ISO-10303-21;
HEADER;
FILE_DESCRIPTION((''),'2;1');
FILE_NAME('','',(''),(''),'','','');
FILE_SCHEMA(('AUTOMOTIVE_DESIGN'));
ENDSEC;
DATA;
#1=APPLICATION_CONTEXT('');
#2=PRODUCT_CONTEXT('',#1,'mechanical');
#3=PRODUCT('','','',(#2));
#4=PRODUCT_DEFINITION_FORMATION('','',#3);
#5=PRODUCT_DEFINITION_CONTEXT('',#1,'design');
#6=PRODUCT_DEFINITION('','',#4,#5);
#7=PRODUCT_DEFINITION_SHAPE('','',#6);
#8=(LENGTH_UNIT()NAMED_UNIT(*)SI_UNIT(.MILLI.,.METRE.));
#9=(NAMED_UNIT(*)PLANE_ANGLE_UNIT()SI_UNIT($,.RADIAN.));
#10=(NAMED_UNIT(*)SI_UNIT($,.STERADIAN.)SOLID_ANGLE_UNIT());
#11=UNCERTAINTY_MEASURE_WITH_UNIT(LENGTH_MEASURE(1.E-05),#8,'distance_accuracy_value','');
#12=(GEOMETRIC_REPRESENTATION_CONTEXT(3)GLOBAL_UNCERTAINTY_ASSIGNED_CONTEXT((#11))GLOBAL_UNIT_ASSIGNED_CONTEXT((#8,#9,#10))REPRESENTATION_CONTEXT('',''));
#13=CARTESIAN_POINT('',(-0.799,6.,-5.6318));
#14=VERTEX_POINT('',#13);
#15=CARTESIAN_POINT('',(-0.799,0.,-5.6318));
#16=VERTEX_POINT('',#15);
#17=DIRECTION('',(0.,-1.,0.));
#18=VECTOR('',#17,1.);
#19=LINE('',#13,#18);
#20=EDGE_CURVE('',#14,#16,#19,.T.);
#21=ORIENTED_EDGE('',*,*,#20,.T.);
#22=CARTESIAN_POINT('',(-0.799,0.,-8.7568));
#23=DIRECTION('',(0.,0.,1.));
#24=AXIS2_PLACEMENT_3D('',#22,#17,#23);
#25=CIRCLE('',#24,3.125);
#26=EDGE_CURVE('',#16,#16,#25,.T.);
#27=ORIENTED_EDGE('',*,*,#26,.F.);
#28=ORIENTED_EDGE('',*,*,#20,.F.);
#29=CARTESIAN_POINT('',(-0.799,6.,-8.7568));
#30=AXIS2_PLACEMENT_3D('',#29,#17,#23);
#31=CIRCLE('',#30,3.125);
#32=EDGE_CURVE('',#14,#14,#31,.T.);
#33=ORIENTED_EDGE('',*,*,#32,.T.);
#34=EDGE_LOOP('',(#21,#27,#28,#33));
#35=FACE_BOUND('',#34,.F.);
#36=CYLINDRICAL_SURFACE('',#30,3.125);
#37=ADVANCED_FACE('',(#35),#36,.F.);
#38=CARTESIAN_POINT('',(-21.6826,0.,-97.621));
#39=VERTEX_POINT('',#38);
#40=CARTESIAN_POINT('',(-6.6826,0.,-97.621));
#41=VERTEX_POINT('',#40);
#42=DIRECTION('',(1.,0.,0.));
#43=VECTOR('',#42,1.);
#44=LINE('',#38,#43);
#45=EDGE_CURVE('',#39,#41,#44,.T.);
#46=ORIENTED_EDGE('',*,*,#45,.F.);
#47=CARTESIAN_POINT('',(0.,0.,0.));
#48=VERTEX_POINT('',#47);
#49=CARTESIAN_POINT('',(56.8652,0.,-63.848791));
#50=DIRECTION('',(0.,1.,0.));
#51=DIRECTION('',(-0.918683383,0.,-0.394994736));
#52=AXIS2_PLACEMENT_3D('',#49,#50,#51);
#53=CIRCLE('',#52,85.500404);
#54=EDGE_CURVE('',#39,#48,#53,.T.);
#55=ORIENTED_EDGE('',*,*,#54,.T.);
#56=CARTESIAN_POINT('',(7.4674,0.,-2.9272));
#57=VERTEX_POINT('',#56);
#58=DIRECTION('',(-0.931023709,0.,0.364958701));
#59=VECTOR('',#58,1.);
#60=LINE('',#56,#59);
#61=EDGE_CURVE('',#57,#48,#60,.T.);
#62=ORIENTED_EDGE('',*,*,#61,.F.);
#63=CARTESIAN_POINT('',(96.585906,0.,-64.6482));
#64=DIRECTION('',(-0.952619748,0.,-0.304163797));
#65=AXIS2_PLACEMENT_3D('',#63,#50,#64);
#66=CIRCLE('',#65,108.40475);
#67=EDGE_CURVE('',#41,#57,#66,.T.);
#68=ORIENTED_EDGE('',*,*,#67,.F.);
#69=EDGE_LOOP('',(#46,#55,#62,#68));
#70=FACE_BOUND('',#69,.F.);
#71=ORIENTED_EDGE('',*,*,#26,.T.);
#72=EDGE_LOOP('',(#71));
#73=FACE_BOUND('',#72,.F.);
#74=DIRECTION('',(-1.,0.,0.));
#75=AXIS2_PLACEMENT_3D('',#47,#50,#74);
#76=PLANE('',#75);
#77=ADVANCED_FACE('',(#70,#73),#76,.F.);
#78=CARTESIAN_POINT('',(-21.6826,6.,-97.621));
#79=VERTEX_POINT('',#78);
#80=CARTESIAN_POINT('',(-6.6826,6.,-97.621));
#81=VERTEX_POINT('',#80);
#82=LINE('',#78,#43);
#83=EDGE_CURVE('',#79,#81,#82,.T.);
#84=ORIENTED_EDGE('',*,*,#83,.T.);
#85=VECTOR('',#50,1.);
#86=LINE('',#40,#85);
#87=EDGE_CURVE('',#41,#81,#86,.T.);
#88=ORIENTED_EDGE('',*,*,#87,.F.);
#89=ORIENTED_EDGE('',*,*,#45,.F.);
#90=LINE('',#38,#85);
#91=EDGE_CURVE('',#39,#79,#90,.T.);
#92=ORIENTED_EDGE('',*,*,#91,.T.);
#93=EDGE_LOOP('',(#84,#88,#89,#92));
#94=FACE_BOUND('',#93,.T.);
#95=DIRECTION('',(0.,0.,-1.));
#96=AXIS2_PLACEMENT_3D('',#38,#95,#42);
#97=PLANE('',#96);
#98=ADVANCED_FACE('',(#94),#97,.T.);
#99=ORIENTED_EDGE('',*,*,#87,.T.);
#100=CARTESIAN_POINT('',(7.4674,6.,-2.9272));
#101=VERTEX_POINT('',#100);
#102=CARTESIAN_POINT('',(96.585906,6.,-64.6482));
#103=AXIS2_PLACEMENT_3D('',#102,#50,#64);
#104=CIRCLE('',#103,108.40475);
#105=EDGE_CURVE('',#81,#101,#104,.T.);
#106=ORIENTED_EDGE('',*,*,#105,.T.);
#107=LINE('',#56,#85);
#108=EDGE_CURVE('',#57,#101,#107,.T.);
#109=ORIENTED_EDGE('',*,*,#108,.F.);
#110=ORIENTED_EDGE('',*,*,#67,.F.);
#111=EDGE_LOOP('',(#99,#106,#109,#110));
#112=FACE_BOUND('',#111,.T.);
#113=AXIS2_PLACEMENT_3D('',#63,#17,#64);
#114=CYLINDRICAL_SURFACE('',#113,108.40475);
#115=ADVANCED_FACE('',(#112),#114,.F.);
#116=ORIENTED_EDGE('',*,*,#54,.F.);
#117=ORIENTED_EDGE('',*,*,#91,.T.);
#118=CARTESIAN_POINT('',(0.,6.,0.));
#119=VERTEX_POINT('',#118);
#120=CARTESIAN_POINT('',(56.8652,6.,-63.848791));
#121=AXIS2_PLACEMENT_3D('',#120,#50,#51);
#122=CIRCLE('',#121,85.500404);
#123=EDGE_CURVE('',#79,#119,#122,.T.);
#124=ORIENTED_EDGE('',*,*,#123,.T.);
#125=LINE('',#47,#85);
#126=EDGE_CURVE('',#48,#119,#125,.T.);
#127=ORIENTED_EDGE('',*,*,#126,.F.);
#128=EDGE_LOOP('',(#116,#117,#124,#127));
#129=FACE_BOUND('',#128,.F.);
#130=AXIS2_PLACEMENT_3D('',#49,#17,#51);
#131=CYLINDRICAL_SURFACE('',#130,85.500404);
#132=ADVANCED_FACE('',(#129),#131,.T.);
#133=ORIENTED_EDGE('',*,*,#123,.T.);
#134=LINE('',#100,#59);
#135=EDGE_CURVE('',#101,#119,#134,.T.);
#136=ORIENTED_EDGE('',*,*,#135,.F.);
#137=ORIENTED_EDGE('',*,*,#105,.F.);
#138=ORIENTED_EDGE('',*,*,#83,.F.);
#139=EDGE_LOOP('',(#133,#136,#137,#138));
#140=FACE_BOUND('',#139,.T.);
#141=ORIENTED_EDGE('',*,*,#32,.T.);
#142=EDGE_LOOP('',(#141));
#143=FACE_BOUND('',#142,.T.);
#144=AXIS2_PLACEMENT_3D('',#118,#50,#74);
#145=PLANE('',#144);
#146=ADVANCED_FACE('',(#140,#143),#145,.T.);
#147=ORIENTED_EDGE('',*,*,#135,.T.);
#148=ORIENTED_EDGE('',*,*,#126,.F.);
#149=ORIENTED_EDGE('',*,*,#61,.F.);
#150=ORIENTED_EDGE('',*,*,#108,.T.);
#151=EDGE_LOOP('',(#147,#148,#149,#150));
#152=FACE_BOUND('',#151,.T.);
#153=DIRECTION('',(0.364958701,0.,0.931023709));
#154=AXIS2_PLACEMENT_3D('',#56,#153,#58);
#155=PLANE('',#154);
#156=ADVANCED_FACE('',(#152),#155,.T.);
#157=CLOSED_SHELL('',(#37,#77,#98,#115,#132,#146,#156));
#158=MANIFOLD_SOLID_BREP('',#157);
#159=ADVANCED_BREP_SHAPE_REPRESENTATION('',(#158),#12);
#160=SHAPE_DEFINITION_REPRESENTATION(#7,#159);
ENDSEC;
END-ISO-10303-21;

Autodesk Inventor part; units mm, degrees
ref_plane "YZ Plane" through (0, 0, 0) normal (1, 0, 0) x (0, 1, 0)
ref_plane "XZ Plane" through (0, 0, 0) normal (0, 1, 0) x (-1, 0, 0)
ref_plane "XY Plane" through (0, 0, 0) normal (0, 0, 1) x (1, 0, 0)
sketch "Sketch3" plane through (0, 0, 0) normal (0, 1, 0) x (-1, 0, 0)
  arc A0 (21.6826, -97.621) -> (0, 0) centre (-56.8651, -63.8488) ccw
  line L0 (21.6826, -97.621) -> (6.6826, -97.621)
  arc A1 (6.6826, -97.621) -> (-7.4674, -2.9272) centre (-96.5859, -64.6482) ccw
  line L1 (-7.4674, -2.9272) -> (0, 0)
  dimension "d12" = 100
  dimension "d13" = 15
extrude "Extrusion2" add sketch "Sketch3" along normal blind 6
sketch "Sketch4" plane through (0, 6, 0) normal (0, 1, 0) x (1, 0, 0)
  circle A0 centre (-0.799, 8.7568) radius 2.1365
  point P0 (0, 0)
hole "Hole2" at (-0.799, 6, -8.7568) direction (0, -1, 0) diameter 6.25 depth 10 tip angle 118
properties part number "Gripper Arm"
